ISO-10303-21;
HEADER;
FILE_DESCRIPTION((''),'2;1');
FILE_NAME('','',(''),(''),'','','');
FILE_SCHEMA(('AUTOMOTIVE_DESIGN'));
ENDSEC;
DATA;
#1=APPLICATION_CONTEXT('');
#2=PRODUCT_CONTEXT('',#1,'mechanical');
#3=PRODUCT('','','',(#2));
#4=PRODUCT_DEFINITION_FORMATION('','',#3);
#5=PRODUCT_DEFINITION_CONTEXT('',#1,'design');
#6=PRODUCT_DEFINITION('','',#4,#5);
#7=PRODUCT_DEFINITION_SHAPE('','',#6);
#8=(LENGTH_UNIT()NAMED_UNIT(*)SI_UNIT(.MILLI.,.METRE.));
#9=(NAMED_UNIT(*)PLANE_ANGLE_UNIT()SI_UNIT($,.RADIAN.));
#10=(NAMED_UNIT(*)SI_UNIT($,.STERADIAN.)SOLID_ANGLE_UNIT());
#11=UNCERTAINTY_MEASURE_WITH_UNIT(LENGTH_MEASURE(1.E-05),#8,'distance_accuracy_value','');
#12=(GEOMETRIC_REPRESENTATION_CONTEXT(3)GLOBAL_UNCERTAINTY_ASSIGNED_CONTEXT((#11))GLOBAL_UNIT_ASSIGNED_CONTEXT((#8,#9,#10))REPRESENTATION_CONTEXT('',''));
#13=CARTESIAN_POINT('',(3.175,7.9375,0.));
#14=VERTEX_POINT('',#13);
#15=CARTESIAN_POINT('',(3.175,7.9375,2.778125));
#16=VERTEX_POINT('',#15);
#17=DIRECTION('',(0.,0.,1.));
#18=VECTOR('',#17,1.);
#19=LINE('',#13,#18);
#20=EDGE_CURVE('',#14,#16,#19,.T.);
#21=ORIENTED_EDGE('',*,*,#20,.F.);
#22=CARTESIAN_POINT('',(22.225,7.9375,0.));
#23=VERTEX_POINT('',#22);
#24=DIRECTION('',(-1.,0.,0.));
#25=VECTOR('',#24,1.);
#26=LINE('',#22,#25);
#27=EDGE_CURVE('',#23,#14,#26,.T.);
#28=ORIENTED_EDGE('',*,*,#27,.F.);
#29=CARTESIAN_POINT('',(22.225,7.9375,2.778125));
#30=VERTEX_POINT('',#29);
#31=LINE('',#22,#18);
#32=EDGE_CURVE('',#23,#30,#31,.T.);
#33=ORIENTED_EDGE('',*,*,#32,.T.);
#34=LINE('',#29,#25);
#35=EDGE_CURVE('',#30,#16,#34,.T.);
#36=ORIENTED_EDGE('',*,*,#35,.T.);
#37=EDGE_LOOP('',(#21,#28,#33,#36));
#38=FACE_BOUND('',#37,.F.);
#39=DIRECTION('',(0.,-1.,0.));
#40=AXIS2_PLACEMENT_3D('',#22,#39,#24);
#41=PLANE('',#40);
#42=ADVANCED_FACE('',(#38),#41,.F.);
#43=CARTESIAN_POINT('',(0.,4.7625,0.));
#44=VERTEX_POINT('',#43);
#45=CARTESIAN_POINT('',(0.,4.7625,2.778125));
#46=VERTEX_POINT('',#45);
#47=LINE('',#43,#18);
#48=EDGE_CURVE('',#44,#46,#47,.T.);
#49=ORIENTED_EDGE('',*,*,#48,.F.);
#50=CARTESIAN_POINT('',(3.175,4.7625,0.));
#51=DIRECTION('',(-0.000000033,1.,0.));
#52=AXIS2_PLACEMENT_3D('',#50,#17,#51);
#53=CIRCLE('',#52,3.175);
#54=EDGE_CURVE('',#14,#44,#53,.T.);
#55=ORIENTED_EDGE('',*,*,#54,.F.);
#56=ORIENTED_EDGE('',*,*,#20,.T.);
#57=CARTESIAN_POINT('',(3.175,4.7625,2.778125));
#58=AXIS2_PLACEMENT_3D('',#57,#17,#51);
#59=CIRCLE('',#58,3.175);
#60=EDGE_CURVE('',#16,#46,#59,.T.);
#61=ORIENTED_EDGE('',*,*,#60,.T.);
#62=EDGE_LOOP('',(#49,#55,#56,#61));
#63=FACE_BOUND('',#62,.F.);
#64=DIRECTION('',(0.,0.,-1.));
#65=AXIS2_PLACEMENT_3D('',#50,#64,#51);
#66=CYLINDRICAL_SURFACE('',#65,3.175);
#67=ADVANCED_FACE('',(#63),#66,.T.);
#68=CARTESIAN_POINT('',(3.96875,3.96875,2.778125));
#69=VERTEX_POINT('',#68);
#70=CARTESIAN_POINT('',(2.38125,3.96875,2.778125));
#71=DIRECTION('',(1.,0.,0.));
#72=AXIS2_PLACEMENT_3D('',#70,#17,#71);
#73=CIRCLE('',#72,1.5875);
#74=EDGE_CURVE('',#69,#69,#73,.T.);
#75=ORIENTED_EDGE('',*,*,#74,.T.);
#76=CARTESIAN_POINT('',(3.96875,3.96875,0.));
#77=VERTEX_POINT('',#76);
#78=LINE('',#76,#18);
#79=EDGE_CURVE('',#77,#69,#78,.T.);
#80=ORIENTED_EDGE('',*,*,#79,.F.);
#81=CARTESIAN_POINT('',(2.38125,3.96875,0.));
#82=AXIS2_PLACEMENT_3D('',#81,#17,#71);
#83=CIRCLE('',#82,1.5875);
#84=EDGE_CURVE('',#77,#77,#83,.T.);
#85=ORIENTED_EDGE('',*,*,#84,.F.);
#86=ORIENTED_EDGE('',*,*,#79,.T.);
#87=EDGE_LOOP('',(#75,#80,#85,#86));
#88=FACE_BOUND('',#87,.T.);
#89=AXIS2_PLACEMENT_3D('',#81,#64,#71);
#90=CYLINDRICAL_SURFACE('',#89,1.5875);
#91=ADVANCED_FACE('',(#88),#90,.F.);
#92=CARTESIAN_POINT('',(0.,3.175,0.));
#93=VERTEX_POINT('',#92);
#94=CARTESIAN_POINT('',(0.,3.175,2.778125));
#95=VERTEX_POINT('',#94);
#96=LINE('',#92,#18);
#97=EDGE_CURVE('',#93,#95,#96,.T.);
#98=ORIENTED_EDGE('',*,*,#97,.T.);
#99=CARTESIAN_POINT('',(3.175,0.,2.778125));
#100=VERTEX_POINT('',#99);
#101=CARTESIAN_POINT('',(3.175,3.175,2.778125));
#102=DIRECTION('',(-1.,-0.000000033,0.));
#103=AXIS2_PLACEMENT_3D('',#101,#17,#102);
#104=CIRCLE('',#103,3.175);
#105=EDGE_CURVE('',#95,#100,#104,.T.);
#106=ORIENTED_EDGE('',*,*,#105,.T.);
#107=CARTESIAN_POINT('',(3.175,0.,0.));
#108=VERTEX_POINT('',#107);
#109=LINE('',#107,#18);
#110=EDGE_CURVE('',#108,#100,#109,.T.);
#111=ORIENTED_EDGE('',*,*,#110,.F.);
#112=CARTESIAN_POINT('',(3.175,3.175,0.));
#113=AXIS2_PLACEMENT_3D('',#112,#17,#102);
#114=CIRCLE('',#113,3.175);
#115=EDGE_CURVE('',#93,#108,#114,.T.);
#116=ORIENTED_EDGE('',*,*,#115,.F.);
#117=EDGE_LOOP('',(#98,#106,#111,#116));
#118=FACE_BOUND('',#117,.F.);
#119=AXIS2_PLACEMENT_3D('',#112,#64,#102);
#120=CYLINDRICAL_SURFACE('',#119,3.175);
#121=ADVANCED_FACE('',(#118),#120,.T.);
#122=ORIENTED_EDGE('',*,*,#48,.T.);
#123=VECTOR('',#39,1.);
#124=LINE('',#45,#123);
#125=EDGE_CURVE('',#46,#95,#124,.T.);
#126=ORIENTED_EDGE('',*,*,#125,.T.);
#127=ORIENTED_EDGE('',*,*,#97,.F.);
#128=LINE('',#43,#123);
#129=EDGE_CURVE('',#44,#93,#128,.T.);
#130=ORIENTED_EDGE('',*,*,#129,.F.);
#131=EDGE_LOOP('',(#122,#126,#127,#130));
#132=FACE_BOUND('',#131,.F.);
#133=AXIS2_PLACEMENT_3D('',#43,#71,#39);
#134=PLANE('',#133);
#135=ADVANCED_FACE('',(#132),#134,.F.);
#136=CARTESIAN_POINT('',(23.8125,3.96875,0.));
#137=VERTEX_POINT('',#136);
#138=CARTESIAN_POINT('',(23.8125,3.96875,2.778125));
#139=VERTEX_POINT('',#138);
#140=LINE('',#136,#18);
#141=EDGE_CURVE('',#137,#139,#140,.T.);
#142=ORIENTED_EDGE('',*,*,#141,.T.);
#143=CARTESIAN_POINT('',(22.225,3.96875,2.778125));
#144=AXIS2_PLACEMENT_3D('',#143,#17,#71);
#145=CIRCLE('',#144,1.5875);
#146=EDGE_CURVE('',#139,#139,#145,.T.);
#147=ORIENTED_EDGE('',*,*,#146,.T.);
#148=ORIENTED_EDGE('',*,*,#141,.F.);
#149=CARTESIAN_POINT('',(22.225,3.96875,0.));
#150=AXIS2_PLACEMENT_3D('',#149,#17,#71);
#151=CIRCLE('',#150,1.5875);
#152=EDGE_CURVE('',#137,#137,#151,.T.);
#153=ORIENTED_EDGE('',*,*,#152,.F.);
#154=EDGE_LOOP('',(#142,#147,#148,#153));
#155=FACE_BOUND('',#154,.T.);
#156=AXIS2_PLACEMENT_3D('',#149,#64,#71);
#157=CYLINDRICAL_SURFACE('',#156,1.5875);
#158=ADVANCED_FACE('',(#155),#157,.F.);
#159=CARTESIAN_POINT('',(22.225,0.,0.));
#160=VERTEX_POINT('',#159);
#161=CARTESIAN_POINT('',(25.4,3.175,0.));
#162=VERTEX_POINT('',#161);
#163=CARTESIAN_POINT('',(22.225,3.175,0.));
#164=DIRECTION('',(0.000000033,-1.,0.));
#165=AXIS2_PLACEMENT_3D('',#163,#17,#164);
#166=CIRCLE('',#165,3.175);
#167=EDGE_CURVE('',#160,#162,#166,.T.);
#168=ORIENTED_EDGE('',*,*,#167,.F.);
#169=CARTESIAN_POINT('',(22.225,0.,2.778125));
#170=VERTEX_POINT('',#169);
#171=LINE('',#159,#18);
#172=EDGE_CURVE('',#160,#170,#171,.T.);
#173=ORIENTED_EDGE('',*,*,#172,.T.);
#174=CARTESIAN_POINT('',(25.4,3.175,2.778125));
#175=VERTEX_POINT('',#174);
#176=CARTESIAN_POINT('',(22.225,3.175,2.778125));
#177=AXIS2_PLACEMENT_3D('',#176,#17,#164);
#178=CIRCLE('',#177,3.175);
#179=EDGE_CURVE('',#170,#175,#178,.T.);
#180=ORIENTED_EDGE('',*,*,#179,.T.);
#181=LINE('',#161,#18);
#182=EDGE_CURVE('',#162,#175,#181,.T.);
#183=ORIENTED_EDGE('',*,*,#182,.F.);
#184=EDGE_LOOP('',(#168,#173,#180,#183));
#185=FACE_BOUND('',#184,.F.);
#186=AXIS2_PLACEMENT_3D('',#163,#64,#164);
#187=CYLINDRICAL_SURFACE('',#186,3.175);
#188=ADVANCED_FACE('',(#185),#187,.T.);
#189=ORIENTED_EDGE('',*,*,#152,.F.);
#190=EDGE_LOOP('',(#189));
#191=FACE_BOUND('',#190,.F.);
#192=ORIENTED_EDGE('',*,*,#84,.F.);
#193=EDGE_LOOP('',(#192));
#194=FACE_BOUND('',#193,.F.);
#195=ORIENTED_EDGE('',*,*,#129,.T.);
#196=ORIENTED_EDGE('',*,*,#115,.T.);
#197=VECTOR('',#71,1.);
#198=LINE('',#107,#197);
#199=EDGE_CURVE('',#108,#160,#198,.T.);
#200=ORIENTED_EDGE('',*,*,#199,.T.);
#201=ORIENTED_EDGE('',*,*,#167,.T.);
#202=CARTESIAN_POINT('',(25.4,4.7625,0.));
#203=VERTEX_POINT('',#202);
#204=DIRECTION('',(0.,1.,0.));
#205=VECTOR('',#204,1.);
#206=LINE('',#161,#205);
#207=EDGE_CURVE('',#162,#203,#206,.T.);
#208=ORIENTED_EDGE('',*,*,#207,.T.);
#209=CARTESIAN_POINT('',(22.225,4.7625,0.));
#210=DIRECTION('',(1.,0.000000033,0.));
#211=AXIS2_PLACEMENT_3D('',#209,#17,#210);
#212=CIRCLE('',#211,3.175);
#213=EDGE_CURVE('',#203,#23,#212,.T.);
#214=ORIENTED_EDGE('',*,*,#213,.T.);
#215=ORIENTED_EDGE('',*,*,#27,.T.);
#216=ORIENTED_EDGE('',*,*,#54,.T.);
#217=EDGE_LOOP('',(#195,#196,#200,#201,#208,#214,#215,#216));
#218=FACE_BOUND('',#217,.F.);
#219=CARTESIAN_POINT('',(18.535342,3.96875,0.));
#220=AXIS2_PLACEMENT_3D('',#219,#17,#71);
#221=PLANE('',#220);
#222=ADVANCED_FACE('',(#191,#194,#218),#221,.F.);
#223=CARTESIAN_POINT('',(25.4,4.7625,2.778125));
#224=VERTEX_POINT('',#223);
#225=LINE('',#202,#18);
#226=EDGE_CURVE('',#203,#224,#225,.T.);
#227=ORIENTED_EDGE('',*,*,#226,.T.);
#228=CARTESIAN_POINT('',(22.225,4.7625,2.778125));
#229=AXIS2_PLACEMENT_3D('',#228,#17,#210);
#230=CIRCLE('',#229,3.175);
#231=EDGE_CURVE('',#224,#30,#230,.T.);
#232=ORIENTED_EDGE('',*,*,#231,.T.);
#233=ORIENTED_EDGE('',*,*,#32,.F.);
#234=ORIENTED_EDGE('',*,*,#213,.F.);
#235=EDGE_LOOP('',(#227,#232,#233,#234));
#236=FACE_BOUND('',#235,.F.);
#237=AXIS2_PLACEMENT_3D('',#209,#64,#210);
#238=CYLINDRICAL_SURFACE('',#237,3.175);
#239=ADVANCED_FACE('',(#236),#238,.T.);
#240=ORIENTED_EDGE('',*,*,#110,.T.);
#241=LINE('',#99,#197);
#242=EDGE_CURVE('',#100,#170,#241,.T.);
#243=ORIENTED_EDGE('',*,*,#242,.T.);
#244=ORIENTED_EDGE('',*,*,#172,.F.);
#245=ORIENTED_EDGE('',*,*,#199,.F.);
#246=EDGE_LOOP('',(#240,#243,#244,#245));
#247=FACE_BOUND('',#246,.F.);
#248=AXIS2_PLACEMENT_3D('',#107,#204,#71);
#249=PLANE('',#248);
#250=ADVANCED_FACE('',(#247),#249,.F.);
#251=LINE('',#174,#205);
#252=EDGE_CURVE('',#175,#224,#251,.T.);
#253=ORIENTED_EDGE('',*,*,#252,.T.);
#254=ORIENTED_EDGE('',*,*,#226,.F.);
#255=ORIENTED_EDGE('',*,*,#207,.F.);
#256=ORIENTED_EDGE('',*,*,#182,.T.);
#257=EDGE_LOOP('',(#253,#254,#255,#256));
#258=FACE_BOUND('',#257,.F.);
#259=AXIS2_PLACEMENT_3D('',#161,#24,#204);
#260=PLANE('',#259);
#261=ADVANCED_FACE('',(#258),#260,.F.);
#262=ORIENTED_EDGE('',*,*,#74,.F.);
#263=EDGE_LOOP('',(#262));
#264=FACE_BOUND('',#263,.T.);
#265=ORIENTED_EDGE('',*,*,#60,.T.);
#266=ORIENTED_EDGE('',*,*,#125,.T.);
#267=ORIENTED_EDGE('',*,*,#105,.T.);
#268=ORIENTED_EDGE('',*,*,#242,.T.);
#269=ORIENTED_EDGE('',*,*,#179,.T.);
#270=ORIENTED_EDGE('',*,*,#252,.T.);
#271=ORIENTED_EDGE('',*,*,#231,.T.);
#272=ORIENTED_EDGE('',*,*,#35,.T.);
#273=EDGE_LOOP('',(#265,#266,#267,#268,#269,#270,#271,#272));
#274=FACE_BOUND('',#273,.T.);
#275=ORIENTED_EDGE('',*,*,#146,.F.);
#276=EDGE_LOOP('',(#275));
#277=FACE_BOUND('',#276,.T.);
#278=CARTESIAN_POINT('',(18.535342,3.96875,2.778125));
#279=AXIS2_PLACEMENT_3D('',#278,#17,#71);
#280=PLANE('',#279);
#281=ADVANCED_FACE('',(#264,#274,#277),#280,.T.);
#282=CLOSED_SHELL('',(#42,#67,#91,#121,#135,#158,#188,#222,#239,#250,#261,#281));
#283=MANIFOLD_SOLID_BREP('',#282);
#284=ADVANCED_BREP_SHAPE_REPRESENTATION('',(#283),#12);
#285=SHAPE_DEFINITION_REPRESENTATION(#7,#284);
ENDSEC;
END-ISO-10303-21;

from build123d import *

# Parameters (mm, degrees)
F0_R     = 1.5875
F1_DEPTH = 2.778125


with BuildPart() as f1:
    # F0 (on Top) → F1 (new body)
    with BuildSketch(Plane.XY):
        with BuildLine():
            Line((12.7, 7.9375), (12.7, 0))
            Line((12.7, 0), (22.225, 0))
            ThreePointArc((22.225, 0), (24.470064, 0.929936), (25.4, 3.175))
            Line((25.4, 3.175), (25.4, 4.7625))
            ThreePointArc((25.4, 4.7625), (24.470064, 7.007564), (22.225, 7.9375))
            Line((22.225, 7.9375), (12.7, 7.9375))
        make_face()
        with Locations((22.225, 3.96875)):
            Circle(F0_R, mode=Mode.SUBTRACT)
        with BuildLine():
            ThreePointArc((0, 3.175), (0.929936, 0.929936), (3.175, 0))
            Line((3.175, 0), (12.7, 0))
            Line((12.7, 0), (12.7, 7.9375))
            Line((12.7, 7.9375), (3.175, 7.9375))
            ThreePointArc((3.175, 7.9375), (0.929936, 7.007564), (0, 4.7625))
            Line((0, 4.7625), (0, 3.175))
        make_face()
        with Locations((2.38125, 3.96875)):
            Circle(F0_R, mode=Mode.SUBTRACT)
    extrude(amount=F1_DEPTH)


solid = f1.part
